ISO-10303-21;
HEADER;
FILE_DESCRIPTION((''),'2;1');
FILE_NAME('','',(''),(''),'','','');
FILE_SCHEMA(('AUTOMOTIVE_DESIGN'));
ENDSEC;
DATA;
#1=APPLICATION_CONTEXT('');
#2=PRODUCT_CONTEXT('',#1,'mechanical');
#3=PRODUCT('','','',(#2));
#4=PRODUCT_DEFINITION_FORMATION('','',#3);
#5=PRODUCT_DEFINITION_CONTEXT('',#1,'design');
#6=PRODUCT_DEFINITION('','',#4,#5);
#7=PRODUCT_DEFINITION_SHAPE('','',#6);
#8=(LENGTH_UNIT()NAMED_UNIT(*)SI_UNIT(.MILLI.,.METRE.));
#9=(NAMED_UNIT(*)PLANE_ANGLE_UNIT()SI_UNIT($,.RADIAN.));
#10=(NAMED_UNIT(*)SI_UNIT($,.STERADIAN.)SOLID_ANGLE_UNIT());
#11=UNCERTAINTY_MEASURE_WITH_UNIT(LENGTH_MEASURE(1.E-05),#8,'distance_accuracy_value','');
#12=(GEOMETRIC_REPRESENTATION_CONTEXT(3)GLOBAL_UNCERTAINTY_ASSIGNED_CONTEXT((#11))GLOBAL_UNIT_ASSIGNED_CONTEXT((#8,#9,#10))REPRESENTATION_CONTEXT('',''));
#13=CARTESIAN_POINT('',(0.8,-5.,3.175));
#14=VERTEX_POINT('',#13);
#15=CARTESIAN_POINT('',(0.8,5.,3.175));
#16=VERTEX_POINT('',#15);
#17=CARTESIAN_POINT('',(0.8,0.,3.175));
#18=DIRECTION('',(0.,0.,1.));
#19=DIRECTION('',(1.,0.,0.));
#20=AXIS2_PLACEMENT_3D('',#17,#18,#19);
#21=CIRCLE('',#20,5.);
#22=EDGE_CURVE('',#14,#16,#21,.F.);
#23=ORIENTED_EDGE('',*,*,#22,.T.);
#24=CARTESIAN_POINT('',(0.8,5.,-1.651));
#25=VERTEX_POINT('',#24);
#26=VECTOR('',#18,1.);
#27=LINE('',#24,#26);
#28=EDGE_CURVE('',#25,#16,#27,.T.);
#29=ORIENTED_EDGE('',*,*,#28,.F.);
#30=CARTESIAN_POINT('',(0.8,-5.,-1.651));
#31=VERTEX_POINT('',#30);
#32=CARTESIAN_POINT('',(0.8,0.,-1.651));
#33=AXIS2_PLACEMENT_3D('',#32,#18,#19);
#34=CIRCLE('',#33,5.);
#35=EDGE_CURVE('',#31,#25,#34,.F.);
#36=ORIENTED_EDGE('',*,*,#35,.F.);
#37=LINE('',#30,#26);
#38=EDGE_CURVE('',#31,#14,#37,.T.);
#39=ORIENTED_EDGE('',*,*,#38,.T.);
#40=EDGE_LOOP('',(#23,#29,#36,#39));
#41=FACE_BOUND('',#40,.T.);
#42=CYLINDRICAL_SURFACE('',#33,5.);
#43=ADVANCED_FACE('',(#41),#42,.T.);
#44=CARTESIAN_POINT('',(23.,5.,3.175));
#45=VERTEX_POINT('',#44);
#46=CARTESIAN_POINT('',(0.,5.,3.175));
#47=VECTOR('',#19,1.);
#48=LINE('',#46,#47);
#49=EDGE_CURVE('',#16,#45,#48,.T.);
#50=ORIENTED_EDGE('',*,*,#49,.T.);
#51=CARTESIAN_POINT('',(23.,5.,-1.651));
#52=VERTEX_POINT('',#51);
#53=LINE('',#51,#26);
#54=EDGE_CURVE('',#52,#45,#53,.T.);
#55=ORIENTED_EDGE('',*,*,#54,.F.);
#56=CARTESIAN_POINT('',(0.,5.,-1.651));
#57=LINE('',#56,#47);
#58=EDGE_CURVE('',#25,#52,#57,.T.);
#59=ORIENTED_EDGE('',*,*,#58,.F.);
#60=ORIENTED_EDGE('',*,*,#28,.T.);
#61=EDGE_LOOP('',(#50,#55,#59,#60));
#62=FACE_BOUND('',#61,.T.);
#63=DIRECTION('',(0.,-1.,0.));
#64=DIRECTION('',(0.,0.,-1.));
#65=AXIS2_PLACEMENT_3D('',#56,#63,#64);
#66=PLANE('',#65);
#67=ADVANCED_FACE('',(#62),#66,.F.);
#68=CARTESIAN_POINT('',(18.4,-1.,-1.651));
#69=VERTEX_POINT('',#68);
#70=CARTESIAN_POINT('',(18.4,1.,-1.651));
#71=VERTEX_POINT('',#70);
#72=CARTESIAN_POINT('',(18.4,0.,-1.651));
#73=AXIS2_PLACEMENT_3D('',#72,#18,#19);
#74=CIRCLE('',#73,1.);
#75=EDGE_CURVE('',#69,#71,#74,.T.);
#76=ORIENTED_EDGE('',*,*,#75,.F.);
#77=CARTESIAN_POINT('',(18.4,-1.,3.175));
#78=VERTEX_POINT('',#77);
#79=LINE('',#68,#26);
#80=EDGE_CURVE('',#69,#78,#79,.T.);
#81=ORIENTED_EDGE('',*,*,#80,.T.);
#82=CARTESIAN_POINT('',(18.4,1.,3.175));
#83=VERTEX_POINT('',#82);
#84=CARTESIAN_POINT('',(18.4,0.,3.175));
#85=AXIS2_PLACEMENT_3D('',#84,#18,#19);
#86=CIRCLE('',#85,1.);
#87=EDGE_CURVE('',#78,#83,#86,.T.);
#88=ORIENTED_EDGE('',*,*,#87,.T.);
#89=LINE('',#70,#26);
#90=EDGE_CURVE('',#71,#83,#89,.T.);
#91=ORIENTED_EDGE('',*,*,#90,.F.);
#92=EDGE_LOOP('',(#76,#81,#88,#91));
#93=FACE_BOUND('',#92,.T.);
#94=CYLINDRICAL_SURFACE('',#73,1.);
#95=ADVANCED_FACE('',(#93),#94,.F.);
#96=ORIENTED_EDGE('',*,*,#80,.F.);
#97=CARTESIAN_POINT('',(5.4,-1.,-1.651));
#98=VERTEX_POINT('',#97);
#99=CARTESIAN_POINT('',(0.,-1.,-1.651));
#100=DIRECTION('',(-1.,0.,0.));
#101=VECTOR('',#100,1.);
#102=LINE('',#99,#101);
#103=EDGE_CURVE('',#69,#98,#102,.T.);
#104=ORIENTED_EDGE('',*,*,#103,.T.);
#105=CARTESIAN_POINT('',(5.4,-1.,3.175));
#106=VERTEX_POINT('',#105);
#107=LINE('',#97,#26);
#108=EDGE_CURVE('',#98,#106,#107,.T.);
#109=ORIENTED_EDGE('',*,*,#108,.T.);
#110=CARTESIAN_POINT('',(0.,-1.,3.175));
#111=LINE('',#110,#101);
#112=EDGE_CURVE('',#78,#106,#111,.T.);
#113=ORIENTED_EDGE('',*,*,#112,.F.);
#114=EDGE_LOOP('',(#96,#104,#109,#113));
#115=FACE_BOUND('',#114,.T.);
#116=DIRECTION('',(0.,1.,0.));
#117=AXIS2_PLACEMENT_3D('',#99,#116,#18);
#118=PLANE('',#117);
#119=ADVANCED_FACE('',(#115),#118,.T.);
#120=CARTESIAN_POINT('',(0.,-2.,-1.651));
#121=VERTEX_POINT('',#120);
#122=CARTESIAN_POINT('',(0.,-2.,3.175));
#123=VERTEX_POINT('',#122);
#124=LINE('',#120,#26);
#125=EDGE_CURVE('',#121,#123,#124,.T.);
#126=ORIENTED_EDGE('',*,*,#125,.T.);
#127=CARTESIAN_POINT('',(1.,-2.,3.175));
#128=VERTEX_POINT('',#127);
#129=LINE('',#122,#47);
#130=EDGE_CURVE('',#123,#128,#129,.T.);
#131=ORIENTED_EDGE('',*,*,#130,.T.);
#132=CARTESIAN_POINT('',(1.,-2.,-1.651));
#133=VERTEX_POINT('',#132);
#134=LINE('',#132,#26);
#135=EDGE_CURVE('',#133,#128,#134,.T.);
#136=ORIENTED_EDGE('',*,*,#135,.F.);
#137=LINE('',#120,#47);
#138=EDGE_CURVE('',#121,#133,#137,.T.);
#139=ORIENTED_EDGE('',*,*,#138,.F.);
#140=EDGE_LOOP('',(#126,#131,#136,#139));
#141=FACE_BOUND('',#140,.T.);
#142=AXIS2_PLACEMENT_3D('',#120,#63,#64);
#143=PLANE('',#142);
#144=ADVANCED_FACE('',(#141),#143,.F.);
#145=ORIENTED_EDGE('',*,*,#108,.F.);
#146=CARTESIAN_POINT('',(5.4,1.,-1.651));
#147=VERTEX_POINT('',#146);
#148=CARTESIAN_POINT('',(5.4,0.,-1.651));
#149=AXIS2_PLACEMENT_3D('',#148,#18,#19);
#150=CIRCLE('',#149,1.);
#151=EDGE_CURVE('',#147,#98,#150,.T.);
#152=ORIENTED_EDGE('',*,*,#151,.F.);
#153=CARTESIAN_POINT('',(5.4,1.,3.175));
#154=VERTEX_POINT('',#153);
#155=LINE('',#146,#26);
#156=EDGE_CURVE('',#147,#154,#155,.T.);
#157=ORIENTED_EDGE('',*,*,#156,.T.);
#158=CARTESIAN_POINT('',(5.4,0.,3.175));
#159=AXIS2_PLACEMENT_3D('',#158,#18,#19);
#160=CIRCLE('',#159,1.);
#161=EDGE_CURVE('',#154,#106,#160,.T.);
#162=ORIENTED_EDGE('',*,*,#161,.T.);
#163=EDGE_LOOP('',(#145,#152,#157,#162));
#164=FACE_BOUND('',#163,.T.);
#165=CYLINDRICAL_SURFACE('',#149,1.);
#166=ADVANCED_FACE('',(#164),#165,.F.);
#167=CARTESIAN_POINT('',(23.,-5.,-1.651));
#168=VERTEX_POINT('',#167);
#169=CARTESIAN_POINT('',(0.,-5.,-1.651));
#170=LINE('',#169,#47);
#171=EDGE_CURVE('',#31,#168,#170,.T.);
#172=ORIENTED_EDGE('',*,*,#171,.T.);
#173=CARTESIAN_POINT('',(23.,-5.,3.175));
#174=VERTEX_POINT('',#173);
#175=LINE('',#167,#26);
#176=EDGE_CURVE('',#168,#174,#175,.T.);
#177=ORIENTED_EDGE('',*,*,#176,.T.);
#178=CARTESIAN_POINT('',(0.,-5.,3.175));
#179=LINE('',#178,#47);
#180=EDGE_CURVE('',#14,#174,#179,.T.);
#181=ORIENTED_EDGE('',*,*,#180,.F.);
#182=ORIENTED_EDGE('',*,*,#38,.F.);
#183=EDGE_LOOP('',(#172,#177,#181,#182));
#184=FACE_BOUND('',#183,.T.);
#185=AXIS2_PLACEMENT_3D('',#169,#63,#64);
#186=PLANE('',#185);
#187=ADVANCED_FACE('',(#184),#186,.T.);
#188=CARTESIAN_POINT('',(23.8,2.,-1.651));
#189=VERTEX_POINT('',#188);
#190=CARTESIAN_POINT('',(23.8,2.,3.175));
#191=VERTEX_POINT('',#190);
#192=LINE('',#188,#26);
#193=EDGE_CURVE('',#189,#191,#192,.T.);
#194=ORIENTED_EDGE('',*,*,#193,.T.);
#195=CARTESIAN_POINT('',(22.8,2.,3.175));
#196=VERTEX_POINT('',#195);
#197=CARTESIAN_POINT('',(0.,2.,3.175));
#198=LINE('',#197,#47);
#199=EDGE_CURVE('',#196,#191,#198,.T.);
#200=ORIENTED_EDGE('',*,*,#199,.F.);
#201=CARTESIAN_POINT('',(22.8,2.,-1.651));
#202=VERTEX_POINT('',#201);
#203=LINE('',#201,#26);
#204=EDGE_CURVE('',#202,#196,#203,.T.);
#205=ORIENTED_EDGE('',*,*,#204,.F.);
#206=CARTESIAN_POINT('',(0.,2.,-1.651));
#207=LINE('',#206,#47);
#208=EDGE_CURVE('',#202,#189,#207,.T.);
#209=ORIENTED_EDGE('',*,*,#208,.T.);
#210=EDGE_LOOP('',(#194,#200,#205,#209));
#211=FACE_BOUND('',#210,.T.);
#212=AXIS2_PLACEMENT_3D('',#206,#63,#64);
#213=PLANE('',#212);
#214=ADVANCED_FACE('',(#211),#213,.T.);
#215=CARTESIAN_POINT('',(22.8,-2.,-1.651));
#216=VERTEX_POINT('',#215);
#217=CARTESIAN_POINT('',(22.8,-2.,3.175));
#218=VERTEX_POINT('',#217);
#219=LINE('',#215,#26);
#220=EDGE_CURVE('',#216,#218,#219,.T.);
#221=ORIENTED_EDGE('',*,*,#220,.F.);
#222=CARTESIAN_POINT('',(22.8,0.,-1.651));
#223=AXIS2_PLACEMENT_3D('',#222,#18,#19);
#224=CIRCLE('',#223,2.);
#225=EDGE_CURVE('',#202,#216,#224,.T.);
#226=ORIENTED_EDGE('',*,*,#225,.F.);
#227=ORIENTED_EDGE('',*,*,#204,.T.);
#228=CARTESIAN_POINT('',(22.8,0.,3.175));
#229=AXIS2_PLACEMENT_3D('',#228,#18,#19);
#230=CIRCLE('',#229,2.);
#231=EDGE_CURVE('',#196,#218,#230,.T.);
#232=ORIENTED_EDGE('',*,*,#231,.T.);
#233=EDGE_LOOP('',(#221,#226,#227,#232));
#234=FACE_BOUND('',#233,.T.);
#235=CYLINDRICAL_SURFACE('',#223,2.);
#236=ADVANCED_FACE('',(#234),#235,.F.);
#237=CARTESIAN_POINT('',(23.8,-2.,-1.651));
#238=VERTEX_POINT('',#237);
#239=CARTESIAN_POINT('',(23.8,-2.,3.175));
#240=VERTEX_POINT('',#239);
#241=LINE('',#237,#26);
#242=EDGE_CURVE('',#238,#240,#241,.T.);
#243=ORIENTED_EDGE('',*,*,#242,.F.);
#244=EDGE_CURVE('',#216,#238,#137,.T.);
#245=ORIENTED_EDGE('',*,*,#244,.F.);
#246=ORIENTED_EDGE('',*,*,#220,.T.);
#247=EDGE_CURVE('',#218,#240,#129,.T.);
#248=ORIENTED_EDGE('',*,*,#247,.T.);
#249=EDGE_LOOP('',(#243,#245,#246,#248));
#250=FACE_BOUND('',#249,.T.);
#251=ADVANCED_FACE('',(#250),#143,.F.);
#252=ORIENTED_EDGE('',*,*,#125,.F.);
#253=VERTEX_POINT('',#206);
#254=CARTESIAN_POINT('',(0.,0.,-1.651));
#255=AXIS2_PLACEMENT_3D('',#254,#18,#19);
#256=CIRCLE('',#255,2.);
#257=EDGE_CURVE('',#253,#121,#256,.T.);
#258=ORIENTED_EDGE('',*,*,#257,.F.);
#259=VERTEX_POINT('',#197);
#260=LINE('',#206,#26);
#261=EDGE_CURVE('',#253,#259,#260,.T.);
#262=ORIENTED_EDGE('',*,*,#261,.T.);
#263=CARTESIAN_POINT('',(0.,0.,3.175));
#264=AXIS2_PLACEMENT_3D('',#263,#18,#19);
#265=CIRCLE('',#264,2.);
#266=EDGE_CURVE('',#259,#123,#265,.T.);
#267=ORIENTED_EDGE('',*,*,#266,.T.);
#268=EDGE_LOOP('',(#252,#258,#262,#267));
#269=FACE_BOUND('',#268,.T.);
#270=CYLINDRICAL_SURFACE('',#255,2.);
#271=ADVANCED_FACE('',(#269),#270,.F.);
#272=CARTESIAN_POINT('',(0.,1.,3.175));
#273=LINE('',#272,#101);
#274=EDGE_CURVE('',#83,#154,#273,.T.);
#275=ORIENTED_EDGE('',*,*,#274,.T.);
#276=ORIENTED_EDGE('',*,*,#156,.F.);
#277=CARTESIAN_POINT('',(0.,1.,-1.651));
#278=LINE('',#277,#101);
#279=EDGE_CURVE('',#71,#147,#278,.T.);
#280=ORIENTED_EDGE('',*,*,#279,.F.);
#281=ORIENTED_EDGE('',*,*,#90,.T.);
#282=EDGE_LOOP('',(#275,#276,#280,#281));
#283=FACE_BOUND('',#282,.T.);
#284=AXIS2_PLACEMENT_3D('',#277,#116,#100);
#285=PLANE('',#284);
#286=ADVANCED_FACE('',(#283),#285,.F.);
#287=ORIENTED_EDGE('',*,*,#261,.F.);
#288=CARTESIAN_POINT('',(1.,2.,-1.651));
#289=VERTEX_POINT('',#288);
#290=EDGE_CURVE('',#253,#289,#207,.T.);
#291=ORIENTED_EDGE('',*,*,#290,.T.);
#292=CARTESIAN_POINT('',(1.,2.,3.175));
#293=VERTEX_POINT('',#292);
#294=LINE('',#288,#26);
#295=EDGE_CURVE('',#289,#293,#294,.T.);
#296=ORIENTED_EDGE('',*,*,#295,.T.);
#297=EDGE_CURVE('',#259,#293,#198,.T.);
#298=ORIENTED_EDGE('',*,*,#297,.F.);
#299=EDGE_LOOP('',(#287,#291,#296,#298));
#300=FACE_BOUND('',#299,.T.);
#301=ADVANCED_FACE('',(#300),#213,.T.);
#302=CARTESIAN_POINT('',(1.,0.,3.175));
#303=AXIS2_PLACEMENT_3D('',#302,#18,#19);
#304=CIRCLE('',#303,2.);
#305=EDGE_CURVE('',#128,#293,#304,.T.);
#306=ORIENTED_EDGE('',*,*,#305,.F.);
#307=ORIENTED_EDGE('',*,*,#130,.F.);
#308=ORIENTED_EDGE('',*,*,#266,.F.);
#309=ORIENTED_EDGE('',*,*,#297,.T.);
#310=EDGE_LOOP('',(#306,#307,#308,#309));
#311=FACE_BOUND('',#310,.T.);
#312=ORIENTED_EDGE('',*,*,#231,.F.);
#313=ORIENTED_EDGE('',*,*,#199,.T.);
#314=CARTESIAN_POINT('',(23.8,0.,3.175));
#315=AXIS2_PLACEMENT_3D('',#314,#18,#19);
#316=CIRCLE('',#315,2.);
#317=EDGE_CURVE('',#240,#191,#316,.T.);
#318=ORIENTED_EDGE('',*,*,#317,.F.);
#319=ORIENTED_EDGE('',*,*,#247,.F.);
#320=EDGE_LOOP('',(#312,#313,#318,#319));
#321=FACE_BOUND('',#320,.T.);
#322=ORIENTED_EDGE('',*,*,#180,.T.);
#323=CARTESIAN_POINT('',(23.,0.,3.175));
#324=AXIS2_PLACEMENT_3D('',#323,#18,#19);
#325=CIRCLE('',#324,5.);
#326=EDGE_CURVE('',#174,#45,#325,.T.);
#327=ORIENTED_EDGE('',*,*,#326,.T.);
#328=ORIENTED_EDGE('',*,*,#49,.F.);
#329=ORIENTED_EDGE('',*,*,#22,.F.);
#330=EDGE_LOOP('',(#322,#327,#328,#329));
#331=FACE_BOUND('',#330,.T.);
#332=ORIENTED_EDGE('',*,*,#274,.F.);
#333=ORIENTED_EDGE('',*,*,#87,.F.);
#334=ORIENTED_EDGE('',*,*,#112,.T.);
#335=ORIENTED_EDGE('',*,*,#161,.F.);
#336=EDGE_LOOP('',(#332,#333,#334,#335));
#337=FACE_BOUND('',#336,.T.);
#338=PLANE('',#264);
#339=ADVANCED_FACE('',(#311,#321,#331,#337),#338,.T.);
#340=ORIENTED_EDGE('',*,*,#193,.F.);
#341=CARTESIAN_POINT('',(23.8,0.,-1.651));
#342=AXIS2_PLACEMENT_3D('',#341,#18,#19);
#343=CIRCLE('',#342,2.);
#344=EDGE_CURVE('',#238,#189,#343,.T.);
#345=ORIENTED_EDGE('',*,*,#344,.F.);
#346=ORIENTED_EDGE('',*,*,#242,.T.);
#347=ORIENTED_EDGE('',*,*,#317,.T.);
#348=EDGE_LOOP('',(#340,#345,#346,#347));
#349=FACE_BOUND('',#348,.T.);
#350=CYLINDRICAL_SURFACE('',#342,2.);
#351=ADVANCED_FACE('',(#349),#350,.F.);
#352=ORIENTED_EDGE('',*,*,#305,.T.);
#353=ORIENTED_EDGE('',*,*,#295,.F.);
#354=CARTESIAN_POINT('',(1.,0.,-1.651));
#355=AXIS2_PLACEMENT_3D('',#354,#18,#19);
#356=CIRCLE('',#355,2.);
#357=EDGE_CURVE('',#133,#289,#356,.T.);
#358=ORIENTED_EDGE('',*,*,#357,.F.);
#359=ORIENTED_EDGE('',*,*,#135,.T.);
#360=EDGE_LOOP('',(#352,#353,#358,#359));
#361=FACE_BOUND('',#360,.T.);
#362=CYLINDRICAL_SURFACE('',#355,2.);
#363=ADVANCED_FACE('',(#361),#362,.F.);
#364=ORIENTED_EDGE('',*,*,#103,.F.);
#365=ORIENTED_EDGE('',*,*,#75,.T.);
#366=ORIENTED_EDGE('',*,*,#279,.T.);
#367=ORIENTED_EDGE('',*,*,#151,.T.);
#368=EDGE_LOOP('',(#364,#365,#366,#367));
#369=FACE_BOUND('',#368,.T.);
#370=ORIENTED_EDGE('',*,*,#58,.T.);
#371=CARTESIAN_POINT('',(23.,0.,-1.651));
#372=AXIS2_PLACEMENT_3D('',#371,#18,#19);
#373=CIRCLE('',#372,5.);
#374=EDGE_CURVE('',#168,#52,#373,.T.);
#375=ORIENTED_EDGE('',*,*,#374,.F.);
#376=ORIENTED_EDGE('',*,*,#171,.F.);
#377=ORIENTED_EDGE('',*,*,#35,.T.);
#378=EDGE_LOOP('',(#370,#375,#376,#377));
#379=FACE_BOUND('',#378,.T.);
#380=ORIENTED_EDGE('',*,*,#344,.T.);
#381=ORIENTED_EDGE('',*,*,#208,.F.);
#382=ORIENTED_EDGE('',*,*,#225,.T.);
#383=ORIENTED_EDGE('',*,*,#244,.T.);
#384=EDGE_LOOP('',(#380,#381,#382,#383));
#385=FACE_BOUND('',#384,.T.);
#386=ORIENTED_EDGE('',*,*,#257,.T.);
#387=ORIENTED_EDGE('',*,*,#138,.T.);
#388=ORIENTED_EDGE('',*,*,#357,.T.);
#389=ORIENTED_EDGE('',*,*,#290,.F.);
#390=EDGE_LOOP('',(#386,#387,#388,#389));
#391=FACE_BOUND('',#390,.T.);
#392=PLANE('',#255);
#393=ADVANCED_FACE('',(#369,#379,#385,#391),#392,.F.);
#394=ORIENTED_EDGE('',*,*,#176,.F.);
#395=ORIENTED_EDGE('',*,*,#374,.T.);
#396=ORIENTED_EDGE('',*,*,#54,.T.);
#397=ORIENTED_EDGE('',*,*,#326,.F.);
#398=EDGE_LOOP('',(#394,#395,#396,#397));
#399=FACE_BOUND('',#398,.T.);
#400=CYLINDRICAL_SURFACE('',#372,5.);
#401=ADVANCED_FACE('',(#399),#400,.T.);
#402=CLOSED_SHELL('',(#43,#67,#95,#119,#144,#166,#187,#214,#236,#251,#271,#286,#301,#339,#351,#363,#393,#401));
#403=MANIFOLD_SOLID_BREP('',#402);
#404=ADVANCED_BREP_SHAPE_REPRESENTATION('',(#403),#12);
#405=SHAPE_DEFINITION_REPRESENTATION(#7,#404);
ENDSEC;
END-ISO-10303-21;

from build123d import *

# Parameters (mm, degrees)
BOSS_EXTRUDE1_DEPTH      = 3.175
BOSS_EXTRUDE1_DEPTH_BACK = 1.651


with BuildPart() as part:
    # Sketch1 → Boss-Extrude1 (new, two sides: drawn at the far end of the back side and taken through both)
    with BuildSketch(Plane.XY.offset(-BOSS_EXTRUDE1_DEPTH_BACK)):
        with BuildLine():
            Line((0.8, 5), (23, 5))
            ThreePointArc((23, 5), (28, 0), (23, -5))
            Line((23, -5), (0.8, -5))
            ThreePointArc((0.8, -5), (-4.2, 0), (0.8, 5))
        make_face()
        with BuildLine():
            Line((0, 2), (1, 2))
            ThreePointArc((1, 2), (3, 0), (1, -2))
            Line((1, -2), (0, -2))
            ThreePointArc((0, -2), (-2, 0), (0, 2))
        make_face(mode=Mode.SUBTRACT)
        with BuildLine():
            Line((22.8, 2), (23.8, 2))
            ThreePointArc((23.8, 2), (25.8, 0), (23.8, -2))
            Line((23.8, -2), (22.8, -2))
            ThreePointArc((22.8, -2), (20.8, 0), (22.8, 2))
        make_face(mode=Mode.SUBTRACT)
        with BuildLine():
            Line((18.4, -1), (5.4, -1))
            ThreePointArc((5.4, -1), (4.4, 0), (5.4, 1))
            Line((5.4, 1), (18.4, 1))
            ThreePointArc((18.4, 1), (19.4, 0), (18.4, -1))
        make_face(mode=Mode.SUBTRACT)
    extrude(amount=BOSS_EXTRUDE1_DEPTH + BOSS_EXTRUDE1_DEPTH_BACK)


solid = part.part
